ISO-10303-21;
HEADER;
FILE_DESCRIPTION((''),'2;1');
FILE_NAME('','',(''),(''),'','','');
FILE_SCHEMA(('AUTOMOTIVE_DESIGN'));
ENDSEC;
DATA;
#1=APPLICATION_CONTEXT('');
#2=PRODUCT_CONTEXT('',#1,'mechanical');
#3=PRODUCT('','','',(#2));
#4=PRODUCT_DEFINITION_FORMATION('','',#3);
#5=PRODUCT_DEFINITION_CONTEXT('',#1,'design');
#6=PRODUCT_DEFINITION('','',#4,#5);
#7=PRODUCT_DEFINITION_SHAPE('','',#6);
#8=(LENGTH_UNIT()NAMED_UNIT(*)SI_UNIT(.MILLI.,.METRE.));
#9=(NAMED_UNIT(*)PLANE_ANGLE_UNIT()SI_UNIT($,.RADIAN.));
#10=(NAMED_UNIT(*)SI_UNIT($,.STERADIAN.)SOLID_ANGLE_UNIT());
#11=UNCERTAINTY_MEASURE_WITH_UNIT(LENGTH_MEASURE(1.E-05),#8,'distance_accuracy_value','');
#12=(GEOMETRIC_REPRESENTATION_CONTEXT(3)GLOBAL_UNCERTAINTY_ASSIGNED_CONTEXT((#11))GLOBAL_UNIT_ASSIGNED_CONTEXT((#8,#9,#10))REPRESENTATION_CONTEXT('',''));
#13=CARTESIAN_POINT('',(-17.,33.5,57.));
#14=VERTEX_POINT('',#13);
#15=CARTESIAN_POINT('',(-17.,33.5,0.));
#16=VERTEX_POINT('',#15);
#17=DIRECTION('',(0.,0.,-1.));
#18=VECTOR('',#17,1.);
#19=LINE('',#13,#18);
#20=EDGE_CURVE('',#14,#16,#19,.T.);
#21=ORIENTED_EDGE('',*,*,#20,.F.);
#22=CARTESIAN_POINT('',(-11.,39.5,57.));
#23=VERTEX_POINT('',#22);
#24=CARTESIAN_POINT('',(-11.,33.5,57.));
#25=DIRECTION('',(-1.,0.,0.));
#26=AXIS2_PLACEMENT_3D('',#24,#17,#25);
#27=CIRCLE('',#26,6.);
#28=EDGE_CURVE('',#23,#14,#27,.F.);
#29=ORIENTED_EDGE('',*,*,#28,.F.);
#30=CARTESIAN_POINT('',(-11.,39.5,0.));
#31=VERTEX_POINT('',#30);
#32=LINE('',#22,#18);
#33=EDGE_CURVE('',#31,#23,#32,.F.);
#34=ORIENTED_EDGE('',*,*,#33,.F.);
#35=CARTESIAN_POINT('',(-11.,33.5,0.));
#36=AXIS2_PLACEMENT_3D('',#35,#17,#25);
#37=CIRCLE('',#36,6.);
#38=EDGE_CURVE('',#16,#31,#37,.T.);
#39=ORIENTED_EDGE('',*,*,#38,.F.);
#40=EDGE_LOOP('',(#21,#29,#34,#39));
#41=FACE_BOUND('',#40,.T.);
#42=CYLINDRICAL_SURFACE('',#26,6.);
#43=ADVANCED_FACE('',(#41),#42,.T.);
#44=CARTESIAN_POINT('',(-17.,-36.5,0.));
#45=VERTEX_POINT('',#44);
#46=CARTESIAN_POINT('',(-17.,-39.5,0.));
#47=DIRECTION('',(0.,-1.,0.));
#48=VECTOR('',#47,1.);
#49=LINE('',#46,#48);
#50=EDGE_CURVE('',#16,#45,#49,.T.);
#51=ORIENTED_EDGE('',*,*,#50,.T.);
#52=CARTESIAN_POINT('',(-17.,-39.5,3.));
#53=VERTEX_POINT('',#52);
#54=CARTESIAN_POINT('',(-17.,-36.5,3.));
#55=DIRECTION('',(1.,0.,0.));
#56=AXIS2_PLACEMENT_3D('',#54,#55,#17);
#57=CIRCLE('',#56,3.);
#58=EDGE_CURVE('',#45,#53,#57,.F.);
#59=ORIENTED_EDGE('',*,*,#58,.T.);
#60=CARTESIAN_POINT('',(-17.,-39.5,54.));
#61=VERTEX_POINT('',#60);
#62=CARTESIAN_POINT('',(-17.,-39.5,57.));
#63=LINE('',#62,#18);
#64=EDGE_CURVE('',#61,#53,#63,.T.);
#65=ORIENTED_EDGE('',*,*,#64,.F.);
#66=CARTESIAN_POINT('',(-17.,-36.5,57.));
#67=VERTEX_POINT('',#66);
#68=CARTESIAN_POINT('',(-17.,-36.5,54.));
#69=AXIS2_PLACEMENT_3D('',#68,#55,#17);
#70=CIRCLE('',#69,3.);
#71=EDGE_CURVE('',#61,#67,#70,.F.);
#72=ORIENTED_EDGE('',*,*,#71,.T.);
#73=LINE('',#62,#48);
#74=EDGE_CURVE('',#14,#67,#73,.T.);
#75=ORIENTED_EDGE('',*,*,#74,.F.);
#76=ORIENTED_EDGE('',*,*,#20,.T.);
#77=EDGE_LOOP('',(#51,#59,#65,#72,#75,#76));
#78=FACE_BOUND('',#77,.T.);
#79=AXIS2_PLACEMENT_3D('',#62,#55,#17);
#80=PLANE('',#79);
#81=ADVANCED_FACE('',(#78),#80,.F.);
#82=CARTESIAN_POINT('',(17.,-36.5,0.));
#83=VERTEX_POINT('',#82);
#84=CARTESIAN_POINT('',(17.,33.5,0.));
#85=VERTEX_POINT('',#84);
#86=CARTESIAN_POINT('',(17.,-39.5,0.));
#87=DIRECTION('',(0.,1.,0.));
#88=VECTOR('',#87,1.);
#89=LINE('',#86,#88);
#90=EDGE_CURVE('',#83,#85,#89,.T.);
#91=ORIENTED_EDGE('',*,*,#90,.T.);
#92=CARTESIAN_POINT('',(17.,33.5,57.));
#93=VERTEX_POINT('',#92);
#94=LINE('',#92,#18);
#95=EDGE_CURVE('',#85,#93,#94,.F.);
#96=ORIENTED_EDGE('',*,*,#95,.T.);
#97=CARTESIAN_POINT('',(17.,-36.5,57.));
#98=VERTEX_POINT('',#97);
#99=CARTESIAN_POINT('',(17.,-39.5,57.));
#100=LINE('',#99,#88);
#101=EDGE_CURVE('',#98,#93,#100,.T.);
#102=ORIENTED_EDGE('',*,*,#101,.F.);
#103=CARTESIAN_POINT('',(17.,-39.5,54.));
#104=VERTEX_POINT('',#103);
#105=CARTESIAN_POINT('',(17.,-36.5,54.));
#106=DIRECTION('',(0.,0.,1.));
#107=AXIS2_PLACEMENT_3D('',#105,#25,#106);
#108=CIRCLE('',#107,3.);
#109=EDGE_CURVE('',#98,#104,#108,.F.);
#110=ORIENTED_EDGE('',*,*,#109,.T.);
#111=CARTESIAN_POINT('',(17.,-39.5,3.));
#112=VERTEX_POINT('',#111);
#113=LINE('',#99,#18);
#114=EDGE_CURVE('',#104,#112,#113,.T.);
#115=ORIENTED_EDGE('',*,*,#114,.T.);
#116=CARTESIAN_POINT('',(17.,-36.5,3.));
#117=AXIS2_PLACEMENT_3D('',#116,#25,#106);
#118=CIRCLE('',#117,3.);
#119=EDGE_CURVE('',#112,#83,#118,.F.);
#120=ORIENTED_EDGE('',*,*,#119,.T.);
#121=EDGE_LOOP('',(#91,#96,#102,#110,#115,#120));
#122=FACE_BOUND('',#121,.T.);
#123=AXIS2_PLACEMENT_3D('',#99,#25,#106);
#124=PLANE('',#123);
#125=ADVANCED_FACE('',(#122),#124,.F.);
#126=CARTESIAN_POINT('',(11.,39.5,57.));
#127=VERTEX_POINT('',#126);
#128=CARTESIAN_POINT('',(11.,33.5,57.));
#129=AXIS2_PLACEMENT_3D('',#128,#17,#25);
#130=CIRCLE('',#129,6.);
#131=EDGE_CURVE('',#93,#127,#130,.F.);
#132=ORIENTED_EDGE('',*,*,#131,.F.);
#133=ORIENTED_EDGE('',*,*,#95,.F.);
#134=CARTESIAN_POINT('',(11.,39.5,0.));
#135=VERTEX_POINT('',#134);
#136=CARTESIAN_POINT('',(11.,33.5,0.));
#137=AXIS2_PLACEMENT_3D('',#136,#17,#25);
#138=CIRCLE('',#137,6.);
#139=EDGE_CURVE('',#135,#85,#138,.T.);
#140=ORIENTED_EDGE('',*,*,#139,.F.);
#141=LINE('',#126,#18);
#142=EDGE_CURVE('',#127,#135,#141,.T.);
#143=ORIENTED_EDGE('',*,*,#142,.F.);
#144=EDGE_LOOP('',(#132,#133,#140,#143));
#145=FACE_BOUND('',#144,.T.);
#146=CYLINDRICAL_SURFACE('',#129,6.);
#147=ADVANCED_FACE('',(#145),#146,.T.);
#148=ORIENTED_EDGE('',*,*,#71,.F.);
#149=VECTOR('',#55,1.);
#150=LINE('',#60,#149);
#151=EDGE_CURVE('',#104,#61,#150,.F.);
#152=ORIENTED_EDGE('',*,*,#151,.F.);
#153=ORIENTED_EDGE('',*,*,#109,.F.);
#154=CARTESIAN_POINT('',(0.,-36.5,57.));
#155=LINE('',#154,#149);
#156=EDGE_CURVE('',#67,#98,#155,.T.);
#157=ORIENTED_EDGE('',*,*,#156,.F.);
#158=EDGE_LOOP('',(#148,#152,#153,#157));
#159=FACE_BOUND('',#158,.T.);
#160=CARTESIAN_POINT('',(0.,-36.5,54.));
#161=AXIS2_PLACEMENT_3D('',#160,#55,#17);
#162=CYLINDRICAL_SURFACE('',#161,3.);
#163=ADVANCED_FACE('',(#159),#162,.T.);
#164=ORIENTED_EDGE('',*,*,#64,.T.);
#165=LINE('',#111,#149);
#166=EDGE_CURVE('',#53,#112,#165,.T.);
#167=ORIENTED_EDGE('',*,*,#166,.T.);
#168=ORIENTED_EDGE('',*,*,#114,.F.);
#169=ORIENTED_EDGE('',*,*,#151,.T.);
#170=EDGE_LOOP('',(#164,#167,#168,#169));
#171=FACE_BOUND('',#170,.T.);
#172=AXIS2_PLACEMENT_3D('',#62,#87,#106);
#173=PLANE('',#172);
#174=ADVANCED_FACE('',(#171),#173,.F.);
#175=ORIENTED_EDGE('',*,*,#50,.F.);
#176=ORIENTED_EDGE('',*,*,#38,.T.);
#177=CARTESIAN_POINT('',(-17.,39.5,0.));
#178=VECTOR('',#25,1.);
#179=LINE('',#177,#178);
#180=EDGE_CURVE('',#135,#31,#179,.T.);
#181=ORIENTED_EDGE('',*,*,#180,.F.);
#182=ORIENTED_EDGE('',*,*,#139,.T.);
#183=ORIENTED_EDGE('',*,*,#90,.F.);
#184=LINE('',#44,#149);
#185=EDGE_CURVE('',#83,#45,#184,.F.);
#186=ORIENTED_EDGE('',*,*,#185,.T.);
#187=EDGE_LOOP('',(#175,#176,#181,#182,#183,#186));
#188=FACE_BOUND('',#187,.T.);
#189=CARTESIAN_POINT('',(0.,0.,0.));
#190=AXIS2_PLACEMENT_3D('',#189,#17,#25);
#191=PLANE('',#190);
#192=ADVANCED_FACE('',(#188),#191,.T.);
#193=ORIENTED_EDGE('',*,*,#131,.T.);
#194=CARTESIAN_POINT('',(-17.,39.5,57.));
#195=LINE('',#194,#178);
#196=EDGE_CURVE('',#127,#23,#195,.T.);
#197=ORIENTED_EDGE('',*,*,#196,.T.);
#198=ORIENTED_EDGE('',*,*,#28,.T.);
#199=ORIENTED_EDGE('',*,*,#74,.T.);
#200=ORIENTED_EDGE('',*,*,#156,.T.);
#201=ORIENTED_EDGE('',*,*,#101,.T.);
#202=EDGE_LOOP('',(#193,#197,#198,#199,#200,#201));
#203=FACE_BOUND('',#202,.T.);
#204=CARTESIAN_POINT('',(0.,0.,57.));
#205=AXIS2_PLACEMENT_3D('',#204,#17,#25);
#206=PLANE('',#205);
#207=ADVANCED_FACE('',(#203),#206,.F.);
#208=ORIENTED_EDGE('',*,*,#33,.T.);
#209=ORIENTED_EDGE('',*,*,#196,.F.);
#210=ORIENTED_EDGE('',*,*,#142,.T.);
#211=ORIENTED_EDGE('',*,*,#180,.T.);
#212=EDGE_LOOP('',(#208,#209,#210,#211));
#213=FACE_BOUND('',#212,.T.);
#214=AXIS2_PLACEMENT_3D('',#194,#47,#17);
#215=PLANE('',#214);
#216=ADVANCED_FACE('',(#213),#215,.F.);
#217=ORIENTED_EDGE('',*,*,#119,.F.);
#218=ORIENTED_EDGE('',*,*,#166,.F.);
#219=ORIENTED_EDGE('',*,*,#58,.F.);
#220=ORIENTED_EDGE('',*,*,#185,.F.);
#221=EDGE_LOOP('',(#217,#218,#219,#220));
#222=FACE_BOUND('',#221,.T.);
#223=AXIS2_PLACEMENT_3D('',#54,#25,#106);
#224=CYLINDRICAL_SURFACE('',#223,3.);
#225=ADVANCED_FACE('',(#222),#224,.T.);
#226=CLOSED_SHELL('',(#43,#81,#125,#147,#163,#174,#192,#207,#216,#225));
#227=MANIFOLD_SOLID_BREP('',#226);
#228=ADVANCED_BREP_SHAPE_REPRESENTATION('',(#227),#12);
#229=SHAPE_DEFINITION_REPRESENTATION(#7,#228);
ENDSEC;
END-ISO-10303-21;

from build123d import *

# Parameters (mm, degrees)
SKETCH1_W           = 34
SKETCH1_H           = 79
BOSS_EXTRUDE1_DEPTH = 57
FILLET1_R           = 6
FILLET2_R           = 3


with BuildPart() as part:
    # Sketch1 → Boss-Extrude1 (new body)
    with BuildSketch(Plane.XY):
        Rectangle(SKETCH1_W, SKETCH1_H)
    extrude(amount=BOSS_EXTRUDE1_DEPTH)

    # Fillet1
    fillet1_edges = [part.edges().sort_by_distance(p)[0] for p in [
        (-17, 39.5, 28.5),
        (17, 39.5, 28.5),
    ]]
    fillet(fillet1_edges, radius=FILLET1_R)

    # Fillet2
    fillet2_edges = [part.edges().sort_by_distance(p)[0] for p in [
        (0, -39.5, 57),
        (0, -39.5, 0),
    ]]
    fillet(fillet2_edges, radius=FILLET2_R)


solid = part.part
